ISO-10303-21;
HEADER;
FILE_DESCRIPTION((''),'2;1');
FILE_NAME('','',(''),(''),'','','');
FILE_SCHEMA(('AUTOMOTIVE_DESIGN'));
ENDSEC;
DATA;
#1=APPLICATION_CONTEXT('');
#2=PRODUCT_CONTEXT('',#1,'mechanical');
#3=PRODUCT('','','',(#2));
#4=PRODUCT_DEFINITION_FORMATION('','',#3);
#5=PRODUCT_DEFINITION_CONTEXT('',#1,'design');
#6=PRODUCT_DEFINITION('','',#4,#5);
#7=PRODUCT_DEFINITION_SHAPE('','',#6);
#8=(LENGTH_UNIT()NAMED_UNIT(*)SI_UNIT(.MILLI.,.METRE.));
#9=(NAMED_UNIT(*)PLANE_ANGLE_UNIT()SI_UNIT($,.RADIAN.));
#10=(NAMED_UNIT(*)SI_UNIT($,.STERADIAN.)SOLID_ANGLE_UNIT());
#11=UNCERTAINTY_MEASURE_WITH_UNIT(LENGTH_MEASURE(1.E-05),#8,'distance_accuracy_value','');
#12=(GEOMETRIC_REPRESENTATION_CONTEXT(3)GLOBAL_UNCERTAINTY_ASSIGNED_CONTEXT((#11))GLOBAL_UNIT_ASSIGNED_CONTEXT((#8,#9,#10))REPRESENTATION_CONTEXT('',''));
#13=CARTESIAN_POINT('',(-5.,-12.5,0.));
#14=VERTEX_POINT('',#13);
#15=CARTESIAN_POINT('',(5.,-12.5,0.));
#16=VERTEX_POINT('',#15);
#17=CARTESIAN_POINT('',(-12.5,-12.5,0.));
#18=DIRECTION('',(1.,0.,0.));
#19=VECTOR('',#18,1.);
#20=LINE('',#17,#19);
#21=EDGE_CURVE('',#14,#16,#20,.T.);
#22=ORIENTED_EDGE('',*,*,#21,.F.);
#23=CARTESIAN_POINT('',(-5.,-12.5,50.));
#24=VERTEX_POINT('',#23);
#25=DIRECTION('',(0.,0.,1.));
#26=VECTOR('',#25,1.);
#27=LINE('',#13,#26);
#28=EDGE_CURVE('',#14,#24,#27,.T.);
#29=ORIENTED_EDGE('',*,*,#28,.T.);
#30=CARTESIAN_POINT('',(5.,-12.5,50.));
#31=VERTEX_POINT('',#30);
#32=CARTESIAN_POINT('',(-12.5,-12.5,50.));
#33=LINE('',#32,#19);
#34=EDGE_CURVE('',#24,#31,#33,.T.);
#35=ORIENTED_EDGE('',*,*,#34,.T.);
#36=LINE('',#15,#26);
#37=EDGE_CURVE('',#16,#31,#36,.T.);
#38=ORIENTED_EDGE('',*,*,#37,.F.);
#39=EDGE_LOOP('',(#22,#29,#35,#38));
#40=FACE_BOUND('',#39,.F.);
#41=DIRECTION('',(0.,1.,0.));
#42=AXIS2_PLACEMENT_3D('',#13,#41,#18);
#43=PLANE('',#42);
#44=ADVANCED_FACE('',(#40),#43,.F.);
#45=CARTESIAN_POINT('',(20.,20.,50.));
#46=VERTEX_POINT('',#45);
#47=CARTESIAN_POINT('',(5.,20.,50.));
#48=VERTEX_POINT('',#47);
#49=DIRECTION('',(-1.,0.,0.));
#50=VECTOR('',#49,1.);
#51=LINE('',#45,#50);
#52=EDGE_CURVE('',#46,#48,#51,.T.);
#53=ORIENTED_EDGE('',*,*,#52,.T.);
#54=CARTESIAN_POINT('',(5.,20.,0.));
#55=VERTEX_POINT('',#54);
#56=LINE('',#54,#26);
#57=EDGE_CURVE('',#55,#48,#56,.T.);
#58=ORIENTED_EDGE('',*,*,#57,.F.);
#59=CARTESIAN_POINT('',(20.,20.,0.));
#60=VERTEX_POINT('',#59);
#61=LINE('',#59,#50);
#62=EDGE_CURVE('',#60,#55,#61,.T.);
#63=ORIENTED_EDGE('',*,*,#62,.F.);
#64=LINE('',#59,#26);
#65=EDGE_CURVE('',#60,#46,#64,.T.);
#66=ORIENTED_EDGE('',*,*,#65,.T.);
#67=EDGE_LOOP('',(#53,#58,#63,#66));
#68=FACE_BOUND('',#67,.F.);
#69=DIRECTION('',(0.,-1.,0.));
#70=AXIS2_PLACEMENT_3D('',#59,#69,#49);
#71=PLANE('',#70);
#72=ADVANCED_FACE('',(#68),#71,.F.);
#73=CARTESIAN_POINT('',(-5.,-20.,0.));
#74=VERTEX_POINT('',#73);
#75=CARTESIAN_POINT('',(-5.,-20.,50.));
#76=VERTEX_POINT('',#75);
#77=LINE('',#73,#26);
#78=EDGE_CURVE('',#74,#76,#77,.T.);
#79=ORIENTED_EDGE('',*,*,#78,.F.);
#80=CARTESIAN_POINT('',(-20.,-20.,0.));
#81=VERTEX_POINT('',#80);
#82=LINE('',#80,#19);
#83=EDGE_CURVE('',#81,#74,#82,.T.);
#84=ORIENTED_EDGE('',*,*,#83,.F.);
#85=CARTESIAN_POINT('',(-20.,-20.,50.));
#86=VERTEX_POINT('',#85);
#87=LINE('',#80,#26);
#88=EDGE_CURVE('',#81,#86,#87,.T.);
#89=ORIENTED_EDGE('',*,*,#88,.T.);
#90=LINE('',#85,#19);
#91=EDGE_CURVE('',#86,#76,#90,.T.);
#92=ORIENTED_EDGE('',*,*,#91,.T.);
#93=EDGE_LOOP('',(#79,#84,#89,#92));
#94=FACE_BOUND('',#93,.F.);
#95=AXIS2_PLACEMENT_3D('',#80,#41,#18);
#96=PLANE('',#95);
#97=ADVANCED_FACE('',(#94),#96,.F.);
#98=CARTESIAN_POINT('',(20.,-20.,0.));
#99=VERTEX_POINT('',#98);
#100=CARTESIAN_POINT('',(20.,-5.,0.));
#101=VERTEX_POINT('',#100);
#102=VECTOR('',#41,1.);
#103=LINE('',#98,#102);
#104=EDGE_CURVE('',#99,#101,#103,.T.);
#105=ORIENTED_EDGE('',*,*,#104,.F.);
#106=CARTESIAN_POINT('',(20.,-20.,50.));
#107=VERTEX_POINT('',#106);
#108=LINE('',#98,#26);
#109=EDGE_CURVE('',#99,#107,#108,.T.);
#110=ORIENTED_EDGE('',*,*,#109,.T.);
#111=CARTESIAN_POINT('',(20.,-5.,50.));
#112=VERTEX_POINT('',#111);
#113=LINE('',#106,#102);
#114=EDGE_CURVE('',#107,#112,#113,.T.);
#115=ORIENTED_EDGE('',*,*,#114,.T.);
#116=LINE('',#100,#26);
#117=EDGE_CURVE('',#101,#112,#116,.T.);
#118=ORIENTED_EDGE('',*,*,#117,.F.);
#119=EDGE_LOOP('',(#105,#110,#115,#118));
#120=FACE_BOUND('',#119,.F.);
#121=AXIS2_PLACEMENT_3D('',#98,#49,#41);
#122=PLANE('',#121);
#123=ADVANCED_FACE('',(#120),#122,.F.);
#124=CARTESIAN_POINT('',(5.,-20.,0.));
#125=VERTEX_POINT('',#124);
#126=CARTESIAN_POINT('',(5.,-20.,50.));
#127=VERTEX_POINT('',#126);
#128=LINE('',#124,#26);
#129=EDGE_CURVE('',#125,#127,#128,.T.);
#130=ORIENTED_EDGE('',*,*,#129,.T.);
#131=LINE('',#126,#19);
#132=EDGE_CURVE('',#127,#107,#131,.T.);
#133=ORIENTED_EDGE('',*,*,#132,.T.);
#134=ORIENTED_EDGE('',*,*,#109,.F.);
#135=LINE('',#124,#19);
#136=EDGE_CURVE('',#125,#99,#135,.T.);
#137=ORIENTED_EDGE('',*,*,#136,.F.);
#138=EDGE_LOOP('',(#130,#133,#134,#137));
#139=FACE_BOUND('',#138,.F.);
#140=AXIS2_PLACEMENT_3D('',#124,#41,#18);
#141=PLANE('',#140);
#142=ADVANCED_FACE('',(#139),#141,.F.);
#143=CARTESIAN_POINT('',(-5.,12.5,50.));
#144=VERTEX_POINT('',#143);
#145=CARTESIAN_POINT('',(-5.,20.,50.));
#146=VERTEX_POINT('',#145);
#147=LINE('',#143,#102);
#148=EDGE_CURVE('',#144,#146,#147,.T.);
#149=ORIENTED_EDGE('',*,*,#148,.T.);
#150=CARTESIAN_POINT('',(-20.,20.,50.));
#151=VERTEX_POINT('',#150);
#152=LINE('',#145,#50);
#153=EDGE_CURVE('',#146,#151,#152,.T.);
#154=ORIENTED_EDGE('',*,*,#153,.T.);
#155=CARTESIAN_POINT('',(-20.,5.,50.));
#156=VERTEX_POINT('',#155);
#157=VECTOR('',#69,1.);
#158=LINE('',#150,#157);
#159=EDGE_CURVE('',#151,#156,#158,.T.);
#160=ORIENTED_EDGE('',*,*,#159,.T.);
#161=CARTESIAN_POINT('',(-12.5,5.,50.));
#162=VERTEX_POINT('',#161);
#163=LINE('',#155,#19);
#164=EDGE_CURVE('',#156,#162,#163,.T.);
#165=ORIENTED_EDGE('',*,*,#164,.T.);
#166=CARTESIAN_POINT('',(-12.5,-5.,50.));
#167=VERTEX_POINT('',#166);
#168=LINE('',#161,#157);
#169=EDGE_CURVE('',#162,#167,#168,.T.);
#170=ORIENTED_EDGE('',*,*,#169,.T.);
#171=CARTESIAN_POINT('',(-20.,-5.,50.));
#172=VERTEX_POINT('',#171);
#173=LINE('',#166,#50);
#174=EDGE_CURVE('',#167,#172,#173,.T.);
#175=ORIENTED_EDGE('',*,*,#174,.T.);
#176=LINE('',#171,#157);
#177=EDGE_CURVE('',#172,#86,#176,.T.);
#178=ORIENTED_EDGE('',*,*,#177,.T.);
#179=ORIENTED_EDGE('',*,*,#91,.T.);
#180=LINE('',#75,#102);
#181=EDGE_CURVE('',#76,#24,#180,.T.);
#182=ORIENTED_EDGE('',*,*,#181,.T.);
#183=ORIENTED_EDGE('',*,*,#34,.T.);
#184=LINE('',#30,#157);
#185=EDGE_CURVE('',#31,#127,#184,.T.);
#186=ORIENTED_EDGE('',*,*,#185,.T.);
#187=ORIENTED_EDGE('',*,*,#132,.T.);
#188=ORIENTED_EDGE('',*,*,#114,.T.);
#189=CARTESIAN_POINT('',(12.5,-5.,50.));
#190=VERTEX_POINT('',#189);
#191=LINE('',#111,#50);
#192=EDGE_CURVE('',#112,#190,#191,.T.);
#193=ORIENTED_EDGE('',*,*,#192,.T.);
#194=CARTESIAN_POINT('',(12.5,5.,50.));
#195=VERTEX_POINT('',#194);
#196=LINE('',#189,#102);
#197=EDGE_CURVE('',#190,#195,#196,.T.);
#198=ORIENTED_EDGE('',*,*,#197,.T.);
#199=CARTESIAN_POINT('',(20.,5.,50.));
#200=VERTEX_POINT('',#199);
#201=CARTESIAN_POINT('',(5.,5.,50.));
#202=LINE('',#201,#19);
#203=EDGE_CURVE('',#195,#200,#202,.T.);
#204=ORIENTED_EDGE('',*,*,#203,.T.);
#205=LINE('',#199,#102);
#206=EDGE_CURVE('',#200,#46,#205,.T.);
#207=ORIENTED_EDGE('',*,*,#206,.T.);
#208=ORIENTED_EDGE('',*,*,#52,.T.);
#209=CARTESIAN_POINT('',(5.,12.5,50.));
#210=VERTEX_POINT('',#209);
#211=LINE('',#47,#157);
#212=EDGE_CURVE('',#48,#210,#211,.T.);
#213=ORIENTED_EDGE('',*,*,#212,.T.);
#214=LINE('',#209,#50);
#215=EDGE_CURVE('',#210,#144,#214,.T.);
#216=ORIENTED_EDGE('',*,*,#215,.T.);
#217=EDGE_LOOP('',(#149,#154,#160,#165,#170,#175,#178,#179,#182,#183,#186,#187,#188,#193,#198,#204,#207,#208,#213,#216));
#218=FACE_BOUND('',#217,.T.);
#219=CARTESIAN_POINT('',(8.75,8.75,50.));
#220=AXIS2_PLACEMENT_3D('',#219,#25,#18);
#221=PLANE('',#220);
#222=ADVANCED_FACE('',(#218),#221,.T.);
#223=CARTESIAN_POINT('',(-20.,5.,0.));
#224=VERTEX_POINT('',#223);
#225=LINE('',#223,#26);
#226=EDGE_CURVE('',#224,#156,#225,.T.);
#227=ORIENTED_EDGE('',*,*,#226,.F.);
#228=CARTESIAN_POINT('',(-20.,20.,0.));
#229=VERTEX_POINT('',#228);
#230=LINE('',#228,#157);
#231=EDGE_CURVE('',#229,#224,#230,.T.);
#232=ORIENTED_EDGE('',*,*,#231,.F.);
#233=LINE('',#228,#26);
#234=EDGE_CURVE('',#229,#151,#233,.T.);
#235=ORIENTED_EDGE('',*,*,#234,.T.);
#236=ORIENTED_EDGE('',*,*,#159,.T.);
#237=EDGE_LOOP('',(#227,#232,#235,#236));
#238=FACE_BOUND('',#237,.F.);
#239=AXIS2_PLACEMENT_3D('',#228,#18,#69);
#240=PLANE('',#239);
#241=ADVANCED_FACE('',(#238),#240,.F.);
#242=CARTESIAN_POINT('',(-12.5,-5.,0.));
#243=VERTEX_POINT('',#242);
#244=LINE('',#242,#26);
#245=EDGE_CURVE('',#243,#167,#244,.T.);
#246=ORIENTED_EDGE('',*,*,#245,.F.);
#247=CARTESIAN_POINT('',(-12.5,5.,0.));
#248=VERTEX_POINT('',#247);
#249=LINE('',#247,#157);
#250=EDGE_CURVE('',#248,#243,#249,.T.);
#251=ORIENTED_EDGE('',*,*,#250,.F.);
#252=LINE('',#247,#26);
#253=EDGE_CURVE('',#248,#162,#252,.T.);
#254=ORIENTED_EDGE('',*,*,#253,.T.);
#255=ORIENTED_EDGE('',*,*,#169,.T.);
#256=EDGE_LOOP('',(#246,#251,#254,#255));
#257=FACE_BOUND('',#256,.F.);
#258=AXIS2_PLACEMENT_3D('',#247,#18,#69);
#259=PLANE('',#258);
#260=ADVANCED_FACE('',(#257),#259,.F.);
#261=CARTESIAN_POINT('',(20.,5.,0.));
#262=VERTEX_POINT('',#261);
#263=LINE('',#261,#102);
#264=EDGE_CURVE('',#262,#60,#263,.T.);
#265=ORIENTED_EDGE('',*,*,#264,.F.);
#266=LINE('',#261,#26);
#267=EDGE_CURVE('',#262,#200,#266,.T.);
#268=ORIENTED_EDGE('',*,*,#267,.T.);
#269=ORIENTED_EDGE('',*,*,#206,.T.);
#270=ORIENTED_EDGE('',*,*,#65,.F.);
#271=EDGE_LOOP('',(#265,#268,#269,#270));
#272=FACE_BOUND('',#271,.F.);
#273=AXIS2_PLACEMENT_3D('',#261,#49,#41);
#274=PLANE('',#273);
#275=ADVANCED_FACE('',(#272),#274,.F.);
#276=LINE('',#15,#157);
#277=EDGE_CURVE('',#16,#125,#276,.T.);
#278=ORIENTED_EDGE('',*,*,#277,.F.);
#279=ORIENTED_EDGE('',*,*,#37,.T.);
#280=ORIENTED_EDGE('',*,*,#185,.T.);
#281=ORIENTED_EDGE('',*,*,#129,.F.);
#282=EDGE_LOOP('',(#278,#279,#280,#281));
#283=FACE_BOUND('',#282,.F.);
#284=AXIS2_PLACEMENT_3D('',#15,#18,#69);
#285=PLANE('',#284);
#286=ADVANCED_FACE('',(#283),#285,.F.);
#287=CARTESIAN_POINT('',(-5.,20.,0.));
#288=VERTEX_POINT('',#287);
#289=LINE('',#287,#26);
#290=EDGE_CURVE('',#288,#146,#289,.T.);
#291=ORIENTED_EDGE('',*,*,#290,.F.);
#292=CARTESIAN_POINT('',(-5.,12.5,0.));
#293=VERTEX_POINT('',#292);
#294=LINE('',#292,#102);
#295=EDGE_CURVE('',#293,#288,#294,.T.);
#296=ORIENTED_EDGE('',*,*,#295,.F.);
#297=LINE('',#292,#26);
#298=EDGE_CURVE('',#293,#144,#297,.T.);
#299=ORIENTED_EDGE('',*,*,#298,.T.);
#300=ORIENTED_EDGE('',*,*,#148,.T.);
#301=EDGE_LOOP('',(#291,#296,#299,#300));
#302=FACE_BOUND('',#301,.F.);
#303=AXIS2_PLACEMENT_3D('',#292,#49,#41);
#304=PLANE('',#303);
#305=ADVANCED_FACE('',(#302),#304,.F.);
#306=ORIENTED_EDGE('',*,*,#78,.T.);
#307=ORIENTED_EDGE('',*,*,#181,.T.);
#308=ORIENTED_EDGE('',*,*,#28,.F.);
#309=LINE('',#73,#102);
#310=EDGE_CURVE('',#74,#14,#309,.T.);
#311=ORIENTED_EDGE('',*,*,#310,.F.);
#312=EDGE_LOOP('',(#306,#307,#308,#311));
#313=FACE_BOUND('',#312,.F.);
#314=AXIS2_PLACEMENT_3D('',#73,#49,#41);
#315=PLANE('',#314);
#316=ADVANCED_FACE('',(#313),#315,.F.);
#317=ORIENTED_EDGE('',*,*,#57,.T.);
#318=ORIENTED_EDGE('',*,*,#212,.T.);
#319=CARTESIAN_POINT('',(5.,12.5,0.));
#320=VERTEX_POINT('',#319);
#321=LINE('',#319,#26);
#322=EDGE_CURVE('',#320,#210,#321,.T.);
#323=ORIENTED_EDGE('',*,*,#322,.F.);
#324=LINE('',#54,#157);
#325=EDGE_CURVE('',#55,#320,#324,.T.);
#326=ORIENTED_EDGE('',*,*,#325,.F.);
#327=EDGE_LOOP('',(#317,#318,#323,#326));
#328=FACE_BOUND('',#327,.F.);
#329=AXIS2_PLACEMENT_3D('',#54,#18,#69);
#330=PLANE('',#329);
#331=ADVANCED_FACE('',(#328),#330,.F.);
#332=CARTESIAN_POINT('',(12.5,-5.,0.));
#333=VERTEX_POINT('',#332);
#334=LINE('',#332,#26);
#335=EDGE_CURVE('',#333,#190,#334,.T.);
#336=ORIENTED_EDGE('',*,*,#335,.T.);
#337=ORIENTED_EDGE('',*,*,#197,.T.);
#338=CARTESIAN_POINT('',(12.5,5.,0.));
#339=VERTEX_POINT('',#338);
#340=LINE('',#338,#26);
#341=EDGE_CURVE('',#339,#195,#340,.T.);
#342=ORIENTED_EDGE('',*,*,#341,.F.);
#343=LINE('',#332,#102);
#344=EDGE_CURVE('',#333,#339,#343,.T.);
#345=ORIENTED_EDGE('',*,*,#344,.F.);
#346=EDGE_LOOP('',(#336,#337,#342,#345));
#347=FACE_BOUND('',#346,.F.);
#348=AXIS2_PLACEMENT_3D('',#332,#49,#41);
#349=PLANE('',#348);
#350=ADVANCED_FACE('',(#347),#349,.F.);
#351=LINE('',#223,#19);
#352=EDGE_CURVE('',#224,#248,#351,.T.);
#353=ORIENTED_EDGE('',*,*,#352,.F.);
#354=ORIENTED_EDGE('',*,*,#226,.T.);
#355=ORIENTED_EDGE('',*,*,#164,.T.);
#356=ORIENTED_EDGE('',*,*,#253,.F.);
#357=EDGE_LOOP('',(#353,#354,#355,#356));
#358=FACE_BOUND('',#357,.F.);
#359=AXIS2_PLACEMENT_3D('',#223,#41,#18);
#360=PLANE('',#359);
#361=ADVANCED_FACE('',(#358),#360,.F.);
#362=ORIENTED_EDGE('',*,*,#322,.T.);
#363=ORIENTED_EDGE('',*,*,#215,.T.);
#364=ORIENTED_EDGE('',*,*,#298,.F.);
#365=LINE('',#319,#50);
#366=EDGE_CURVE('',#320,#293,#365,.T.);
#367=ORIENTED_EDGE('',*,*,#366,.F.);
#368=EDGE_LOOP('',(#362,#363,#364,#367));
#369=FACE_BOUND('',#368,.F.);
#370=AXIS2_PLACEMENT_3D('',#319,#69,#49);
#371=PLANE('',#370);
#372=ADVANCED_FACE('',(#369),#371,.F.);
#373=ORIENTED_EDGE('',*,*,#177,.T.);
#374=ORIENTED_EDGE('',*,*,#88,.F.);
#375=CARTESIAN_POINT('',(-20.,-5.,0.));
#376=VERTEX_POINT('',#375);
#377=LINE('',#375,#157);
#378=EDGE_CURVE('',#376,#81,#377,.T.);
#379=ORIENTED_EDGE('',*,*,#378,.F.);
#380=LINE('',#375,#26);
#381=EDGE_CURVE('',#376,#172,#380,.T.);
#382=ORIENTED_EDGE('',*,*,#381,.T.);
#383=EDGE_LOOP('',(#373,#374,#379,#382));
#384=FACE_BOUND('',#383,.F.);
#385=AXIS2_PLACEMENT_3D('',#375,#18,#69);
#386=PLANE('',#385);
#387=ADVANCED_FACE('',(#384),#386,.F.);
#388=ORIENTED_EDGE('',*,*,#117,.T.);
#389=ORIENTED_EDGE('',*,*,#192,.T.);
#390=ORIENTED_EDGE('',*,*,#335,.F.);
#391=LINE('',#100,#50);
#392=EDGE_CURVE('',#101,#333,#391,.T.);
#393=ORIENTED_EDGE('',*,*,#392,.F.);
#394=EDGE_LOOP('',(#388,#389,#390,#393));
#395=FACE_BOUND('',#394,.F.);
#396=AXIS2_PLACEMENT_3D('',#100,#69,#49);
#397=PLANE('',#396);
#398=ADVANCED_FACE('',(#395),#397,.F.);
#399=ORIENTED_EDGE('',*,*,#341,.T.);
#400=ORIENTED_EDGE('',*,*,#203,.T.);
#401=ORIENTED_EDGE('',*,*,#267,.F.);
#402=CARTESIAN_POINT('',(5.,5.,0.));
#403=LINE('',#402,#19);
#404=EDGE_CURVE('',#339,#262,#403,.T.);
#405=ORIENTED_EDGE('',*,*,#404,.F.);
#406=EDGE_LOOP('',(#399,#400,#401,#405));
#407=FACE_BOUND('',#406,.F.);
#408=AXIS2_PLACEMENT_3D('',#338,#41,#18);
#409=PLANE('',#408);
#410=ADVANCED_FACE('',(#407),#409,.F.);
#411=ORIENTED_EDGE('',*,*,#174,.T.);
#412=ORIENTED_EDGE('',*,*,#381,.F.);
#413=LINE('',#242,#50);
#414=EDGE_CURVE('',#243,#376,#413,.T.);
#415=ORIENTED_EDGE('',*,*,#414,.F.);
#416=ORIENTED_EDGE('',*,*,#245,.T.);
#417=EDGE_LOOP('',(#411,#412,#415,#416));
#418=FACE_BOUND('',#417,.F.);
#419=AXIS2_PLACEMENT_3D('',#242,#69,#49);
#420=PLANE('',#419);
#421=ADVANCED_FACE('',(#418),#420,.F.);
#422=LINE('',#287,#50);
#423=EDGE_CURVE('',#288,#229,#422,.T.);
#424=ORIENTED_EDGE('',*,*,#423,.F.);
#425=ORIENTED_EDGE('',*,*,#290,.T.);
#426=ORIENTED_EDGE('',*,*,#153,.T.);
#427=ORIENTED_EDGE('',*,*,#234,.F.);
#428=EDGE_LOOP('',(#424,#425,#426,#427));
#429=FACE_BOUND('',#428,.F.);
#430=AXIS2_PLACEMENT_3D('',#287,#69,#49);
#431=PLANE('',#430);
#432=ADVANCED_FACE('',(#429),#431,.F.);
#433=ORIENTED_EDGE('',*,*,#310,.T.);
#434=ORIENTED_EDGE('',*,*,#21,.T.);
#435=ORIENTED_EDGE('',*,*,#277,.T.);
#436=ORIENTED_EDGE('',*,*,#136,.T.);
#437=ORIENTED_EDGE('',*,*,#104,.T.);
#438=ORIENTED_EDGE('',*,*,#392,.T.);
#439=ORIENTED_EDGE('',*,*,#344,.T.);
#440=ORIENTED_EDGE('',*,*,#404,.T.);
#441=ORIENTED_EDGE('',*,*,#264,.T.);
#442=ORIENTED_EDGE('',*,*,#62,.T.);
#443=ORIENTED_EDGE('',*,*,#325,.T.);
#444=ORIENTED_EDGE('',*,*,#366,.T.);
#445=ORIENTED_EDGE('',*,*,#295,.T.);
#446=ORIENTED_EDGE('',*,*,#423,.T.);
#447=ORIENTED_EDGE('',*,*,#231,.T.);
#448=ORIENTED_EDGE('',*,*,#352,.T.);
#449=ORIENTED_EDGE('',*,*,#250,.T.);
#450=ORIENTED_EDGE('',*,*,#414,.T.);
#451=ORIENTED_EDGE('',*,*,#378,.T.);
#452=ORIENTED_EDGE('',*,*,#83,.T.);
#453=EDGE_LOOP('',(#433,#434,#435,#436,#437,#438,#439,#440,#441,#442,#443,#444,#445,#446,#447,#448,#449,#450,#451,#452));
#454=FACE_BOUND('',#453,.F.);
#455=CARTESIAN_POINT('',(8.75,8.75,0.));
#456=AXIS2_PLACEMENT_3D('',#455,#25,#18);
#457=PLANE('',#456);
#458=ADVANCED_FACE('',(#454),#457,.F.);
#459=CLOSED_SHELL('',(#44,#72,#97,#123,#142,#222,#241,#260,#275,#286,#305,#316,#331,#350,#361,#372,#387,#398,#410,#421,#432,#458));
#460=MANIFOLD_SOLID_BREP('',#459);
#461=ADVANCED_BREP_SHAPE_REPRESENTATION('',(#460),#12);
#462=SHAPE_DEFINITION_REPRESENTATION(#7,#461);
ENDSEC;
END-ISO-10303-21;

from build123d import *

# Parameters (mm, degrees)
F0_W     = 7.5
F0_H     = 7.5
F1_DEPTH = 50


with BuildPart() as f1:
    # F0 (on Top) → F1 (new body)
    with BuildSketch(Plane.XY):
        with Locations((8.75, 8.75)):
            Rectangle(F0_W, F0_H)
        Polygon((5, 12.5), (12.5, 12.5), (12.5, 5), (20, 5), (20, 20), (5, 20), align=None)
        Polygon((5, 5), (5, 12.5), (-5, 12.5), (-5, 5), (-12.5, 5), (-12.5, -5), (-5, -5), (-5, -12.5), (5, -12.5), (5, -5), (12.5, -5), (12.5, 5), align=None)
        with Locations((-8.75, 8.75)):
            Rectangle(F0_W, F0_H)
        Polygon((-12.5, 12.5), (-5, 12.5), (-5, 20), (-20, 20), (-20, 5), (-12.5, 5), align=None)
        Polygon((20, -5), (12.5, -5), (12.5, -12.5), (5, -12.5), (5, -20), (20, -20), align=None)
        with Locations((8.75, -8.75)):
            Rectangle(F0_W, F0_H)
        with Locations((-8.75, -8.75)):
            Rectangle(F0_W, F0_H)
        Polygon((-12.5, -12.5), (-12.5, -5), (-20, -5), (-20, -20), (-5, -20), (-5, -12.5), align=None)
    extrude(amount=F1_DEPTH)


solid = f1.part
